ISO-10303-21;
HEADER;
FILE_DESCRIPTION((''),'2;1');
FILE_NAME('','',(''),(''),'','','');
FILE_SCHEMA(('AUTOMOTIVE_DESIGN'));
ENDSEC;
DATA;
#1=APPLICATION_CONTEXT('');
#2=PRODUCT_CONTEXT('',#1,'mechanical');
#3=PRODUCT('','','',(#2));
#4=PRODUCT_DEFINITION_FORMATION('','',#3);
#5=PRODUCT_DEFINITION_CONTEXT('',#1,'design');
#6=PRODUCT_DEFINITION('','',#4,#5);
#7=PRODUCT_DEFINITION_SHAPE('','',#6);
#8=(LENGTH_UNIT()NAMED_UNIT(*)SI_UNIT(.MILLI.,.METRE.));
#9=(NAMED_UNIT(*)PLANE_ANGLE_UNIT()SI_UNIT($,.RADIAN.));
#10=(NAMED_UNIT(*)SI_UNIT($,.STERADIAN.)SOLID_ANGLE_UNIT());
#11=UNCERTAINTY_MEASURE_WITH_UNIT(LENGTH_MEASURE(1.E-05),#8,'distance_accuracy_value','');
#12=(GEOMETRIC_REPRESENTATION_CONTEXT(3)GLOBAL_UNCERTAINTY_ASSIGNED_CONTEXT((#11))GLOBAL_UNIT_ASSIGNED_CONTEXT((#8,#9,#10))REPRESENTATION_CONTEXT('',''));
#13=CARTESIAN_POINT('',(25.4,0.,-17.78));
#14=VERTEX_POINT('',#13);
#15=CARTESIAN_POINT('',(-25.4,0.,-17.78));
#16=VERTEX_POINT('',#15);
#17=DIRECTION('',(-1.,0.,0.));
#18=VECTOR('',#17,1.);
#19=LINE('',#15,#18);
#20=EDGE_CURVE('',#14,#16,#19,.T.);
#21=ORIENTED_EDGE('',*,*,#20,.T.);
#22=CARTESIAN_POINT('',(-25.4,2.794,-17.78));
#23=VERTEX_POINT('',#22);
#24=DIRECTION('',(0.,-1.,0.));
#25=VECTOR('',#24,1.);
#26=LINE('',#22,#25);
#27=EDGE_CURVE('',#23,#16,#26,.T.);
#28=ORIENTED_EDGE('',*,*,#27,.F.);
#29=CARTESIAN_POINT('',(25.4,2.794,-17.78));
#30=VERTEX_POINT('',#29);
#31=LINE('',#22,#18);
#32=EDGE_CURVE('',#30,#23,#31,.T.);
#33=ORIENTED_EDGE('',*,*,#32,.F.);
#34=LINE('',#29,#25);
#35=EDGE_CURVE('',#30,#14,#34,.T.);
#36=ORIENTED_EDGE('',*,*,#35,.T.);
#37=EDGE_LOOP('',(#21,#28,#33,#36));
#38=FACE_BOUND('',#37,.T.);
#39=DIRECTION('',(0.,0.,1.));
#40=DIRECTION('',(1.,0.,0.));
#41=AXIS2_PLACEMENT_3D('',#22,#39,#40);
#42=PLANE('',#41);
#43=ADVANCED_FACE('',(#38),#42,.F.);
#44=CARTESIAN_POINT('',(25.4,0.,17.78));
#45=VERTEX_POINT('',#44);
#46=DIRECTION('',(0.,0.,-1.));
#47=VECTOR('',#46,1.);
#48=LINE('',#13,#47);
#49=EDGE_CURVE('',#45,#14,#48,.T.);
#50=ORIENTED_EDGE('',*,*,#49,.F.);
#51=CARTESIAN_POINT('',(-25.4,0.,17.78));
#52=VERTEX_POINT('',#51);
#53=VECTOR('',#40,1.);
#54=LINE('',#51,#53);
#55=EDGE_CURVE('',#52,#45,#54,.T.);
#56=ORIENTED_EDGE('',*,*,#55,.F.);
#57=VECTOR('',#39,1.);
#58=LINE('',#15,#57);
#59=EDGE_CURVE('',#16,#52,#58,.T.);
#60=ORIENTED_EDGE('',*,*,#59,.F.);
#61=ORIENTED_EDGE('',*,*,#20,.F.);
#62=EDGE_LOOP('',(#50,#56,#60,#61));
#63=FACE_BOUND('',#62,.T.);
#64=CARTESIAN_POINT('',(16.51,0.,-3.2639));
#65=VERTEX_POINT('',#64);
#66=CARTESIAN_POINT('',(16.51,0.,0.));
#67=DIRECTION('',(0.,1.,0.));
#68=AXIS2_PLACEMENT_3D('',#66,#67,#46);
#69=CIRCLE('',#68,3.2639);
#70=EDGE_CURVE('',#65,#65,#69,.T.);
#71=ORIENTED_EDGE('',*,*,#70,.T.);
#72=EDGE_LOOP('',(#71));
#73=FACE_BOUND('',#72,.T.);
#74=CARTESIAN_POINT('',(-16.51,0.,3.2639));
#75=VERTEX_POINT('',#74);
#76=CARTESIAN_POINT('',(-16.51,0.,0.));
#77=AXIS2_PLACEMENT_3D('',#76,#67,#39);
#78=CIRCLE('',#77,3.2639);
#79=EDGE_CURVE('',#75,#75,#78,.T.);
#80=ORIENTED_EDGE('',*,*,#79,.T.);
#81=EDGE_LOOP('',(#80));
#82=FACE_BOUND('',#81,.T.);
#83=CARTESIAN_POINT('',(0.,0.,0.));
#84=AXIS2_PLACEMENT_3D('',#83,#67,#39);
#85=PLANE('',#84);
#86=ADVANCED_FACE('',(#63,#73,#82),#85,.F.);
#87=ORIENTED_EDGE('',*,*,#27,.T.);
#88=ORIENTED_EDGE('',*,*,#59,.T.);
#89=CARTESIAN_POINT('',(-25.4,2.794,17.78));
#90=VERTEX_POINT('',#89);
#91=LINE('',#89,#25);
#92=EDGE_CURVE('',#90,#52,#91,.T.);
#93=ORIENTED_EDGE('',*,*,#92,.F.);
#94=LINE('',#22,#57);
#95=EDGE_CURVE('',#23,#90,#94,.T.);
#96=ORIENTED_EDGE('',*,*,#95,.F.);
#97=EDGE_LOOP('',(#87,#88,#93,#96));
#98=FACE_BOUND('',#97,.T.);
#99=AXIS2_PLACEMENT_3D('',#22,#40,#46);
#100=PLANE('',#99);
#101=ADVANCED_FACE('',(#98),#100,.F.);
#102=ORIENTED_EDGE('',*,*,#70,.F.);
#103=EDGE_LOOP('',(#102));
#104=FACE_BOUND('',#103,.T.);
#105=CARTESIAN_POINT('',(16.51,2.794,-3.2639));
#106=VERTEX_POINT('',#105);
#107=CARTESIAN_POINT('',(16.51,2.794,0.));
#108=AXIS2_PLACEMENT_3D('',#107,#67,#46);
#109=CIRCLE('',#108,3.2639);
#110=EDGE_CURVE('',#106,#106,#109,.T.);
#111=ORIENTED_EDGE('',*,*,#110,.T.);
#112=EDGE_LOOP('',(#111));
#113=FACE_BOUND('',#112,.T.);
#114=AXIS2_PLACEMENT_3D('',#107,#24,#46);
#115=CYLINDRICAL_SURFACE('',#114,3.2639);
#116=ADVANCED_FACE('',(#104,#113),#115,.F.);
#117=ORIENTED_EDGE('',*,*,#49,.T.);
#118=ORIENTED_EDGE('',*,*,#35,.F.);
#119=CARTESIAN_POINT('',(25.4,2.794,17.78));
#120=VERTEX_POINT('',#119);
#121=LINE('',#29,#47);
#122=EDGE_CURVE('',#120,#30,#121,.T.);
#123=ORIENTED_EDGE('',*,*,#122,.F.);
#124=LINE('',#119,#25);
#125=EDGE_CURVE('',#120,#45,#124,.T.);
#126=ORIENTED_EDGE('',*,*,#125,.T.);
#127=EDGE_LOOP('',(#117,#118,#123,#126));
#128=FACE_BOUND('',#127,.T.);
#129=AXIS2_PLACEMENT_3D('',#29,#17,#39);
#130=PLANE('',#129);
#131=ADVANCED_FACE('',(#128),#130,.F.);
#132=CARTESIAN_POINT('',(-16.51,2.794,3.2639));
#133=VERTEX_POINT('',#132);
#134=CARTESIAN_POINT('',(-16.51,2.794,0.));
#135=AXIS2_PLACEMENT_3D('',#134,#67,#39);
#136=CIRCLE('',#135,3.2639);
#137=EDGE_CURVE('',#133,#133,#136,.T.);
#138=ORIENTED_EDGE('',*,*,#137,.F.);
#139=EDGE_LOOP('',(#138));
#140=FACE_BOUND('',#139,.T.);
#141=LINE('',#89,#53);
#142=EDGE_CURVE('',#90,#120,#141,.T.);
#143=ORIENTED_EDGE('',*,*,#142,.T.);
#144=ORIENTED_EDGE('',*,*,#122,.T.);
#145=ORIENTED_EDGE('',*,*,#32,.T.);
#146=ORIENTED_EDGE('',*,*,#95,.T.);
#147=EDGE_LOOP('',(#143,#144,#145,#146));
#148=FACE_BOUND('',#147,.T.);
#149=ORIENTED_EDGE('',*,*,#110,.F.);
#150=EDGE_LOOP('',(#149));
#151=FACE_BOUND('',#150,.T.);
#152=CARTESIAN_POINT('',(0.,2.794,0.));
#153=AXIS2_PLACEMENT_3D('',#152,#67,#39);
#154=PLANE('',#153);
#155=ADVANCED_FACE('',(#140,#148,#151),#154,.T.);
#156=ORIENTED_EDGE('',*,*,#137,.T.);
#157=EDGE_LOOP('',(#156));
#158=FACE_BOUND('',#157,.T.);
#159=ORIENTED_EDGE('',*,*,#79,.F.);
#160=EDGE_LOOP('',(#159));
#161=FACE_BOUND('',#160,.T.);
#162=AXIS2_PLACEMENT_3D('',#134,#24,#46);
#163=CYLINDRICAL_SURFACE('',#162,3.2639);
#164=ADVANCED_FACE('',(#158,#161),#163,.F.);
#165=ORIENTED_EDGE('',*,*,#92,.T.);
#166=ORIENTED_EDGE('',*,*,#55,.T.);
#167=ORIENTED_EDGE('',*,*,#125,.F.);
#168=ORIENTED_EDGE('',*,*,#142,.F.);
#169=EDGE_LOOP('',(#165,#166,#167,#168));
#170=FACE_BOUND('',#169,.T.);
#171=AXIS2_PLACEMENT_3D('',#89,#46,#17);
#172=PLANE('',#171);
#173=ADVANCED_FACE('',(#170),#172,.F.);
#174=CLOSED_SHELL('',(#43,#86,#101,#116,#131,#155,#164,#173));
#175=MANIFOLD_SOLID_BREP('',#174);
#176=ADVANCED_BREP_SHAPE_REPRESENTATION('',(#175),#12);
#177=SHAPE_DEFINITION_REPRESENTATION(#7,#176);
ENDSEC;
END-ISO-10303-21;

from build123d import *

# Parameters (mm, degrees)
SKETCH2_W           = 50.8
SKETCH2_H           = 35.56
SKETCH2_R           = 3.2639
BOSS_EXTRUDE1_DEPTH = 2.794


with BuildPart() as part:
    # Sketch2 → Boss-Extrude1 (new body)
    with BuildSketch(Plane(origin=(0, 0, 0), x_dir=(1, 0, 0), z_dir=(0, 1, 0))):
        Rectangle(SKETCH2_W, SKETCH2_H)
        with Locations(Location((-16.51, 0, 0), (0, 0, 270))):
            Circle(SKETCH2_R, mode=Mode.SUBTRACT)
        with Locations(Location((16.51, 0, 0), (0, 0, 90))):
            Circle(SKETCH2_R, mode=Mode.SUBTRACT)
    extrude(amount=BOSS_EXTRUDE1_DEPTH)


solid = part.part
